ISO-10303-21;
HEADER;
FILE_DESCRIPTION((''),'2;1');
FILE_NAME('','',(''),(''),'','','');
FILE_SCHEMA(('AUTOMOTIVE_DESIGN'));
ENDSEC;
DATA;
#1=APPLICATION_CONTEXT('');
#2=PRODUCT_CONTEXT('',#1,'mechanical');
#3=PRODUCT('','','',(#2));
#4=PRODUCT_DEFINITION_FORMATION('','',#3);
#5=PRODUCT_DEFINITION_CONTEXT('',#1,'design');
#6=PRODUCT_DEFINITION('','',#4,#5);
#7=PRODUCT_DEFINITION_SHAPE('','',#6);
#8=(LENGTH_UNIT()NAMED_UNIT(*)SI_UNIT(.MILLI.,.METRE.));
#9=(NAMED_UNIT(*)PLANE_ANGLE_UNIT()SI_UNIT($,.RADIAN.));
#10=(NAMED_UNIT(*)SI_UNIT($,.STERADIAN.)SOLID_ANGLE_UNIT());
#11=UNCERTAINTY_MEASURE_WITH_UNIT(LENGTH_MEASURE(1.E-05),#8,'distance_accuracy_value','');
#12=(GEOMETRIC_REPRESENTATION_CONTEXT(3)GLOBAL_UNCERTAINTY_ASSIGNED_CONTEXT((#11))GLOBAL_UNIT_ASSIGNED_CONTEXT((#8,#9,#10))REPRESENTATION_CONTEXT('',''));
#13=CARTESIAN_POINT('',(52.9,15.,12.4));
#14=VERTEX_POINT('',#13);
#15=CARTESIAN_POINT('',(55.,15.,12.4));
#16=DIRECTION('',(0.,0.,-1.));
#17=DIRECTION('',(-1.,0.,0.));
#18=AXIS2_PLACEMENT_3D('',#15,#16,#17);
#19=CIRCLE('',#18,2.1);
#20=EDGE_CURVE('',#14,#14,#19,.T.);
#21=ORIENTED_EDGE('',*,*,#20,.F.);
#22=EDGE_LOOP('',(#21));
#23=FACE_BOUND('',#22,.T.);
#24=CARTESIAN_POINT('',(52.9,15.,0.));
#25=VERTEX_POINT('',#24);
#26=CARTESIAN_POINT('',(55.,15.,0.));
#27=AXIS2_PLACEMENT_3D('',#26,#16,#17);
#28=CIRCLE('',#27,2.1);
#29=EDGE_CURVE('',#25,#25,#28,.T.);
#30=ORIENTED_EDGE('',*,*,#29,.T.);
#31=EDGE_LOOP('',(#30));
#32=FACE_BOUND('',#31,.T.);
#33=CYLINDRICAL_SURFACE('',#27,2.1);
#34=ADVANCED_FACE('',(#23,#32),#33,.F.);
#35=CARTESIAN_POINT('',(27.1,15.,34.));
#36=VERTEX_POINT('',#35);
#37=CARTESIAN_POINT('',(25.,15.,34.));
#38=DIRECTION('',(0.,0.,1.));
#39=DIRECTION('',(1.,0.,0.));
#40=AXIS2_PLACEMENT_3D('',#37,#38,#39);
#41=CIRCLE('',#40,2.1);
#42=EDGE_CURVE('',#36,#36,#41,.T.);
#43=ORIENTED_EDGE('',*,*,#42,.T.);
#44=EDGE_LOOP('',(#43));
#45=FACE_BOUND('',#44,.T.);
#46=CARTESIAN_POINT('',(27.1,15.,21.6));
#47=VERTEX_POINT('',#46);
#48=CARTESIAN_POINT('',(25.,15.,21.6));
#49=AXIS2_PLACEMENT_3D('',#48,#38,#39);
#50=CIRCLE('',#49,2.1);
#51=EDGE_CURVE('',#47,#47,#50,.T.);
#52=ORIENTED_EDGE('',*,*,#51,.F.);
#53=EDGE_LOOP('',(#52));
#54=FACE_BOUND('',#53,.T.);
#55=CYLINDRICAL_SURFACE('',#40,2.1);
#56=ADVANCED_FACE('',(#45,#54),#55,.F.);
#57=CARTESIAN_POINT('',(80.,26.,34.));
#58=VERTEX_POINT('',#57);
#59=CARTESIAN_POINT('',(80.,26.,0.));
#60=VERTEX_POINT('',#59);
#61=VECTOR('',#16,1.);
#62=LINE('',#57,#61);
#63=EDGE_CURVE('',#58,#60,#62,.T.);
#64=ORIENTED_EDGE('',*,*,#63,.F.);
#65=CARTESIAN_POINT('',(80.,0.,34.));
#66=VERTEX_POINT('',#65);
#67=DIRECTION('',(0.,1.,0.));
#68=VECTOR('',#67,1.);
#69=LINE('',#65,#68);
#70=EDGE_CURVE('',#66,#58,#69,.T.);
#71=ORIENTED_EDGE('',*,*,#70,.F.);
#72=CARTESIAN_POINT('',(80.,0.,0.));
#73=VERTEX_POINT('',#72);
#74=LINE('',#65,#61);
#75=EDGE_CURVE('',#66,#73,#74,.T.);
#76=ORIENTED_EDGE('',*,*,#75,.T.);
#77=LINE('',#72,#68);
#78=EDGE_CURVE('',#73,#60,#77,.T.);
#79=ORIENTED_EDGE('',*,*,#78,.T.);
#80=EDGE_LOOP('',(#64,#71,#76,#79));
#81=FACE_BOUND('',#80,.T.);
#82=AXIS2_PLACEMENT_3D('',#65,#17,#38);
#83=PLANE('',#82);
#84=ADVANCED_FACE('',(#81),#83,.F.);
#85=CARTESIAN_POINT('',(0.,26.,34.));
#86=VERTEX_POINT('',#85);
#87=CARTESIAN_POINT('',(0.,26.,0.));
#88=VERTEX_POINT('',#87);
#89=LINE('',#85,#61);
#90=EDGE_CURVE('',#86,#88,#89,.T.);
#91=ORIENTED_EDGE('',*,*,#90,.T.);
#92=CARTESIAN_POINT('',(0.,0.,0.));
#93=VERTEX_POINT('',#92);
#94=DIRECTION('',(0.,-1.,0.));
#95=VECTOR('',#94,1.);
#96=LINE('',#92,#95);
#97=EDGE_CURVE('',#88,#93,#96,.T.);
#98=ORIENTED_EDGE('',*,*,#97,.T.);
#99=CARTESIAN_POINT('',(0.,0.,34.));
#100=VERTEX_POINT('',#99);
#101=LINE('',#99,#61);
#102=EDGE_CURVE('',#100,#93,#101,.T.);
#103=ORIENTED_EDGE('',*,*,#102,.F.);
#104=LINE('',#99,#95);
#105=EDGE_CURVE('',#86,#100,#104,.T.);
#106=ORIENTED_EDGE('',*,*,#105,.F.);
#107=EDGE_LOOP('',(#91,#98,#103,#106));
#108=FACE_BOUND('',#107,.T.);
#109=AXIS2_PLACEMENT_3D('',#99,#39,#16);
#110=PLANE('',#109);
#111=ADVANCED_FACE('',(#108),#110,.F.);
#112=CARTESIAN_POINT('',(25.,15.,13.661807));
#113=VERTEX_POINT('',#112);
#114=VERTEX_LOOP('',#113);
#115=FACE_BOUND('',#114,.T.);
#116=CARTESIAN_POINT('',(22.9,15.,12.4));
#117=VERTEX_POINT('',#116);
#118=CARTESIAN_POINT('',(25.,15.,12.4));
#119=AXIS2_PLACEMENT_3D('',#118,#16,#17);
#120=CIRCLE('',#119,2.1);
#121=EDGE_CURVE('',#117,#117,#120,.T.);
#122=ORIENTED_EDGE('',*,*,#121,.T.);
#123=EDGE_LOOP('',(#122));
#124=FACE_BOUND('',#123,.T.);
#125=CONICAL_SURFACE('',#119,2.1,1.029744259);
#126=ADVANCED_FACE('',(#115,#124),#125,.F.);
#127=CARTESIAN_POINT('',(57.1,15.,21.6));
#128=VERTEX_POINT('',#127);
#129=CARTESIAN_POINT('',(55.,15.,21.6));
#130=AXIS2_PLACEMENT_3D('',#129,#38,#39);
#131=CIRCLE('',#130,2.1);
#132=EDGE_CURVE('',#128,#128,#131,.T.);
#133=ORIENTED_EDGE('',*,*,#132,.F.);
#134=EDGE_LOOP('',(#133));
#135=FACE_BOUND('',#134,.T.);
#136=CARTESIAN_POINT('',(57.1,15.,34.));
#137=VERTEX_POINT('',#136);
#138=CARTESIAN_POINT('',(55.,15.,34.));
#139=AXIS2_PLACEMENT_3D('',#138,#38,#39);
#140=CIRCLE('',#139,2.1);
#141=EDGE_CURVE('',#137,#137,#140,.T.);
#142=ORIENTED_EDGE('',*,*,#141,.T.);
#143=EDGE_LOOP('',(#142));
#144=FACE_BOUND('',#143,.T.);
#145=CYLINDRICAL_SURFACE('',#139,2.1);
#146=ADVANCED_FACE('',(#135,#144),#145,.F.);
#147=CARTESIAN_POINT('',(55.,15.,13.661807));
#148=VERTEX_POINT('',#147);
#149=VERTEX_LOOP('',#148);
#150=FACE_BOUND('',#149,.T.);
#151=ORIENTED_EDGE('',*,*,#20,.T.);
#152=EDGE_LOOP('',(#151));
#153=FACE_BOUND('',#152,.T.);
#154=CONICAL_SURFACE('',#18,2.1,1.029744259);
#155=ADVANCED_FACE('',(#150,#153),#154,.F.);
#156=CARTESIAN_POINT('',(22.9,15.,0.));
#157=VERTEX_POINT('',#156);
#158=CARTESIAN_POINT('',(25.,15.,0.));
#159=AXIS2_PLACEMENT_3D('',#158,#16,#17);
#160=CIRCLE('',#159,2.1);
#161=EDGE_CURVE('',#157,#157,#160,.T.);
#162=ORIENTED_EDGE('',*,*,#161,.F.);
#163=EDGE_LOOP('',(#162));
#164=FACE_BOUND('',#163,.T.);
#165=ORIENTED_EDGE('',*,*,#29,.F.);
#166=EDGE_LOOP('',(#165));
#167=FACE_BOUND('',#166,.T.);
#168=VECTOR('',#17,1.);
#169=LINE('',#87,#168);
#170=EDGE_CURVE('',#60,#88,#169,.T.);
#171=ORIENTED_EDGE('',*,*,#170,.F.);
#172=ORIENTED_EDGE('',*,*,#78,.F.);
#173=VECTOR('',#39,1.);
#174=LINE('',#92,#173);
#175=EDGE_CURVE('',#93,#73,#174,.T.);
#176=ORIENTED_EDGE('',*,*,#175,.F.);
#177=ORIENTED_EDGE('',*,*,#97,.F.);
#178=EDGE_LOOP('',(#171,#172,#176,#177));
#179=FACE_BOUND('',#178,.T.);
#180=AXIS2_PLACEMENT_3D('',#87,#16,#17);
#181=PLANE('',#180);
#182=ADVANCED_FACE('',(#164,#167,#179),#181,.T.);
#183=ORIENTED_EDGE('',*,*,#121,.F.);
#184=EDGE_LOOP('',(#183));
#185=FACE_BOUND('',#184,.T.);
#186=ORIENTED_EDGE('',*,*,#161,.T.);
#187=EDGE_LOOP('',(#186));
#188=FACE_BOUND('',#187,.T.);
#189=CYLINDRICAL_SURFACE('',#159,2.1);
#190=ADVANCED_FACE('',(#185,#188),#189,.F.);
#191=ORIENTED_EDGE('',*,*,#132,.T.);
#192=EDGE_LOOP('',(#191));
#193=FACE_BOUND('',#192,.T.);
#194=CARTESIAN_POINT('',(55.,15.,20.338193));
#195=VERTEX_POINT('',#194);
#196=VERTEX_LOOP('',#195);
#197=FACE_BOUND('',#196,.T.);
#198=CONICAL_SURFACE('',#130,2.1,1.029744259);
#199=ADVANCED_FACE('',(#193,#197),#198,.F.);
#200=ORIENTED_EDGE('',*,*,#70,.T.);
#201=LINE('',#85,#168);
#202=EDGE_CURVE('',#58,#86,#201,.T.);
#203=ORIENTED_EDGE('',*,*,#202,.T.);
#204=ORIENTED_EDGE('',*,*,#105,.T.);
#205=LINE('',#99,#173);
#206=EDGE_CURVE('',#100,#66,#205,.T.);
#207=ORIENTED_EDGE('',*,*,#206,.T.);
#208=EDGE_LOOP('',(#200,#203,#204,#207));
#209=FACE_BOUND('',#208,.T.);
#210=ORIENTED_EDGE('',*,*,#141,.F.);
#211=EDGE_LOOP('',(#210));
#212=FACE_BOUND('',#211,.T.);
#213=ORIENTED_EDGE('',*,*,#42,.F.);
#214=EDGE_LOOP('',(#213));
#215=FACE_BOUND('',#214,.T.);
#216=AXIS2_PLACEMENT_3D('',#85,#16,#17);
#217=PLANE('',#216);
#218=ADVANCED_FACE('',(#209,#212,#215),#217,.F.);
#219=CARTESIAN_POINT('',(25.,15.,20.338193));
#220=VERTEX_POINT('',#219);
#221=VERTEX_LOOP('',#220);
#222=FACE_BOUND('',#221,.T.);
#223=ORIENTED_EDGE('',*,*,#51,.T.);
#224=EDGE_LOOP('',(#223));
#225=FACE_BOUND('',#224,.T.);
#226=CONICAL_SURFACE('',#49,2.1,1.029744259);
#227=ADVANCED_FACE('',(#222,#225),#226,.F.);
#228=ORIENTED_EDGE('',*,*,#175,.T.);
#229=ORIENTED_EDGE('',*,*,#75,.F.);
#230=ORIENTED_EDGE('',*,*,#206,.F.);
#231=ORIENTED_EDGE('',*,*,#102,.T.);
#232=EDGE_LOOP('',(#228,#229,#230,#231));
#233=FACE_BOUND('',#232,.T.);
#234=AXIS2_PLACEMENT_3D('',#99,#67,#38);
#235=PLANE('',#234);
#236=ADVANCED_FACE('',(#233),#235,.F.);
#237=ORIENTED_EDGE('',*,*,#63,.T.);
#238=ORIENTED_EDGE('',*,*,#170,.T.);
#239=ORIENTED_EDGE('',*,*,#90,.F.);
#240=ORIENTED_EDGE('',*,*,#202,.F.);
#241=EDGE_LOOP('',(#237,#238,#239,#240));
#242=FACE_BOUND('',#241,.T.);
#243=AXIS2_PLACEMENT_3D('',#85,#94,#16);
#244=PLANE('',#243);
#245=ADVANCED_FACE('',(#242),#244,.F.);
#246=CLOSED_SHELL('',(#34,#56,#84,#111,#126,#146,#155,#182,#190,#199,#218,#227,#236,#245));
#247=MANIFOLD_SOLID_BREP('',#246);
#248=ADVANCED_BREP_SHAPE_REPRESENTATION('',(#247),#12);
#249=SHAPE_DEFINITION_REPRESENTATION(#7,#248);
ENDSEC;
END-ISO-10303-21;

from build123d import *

# Parameters (mm, degrees)
SKETCH_1_W             = 80
SKETCH_1_H             = 26
EXTRUDE_1_DEPTH        = 34
HOLE_WIZARD_M5_1_D     = 4.2
HOLE_WIZARD_M5_1_DEPTH = 12.4
HOLE_WIZARD_M5_1_TIP   = 1.2618073
HOLE_WIZARD_M5_2_D     = 4.2
HOLE_WIZARD_M5_2_DEPTH = 12.4
HOLE_WIZARD_M5_2_TIP   = 1.2618073


with BuildPart() as part:
    # 草图1 → 凸台-拉伸1 (new body)
    with BuildSketch(Plane.XY):
        with Locations((40, 13)):
            Rectangle(SKETCH_1_W, SKETCH_1_H)
    extrude(amount=EXTRUDE_1_DEPTH)

    # M5 螺纹孔1
    with Locations(Plane(origin=(0, 0, 0), x_dir=(-1, 0, 0), z_dir=(0, 0, -1))):
        with Locations((-55, 15), (-25, 15)):
            Hole(HOLE_WIZARD_M5_1_D / 2, depth=HOLE_WIZARD_M5_1_DEPTH)
            with Locations((0, 0, -(HOLE_WIZARD_M5_1_DEPTH + HOLE_WIZARD_M5_1_TIP / 2))):  # 118° drill point
                Cone(0, HOLE_WIZARD_M5_1_D / 2, HOLE_WIZARD_M5_1_TIP, mode=Mode.SUBTRACT)

    # M5 螺纹孔2
    with Locations(Plane.XY.offset(34)):
        with Locations((25, 15), (55, 15)):
            Hole(HOLE_WIZARD_M5_2_D / 2, depth=HOLE_WIZARD_M5_2_DEPTH)
            with Locations((0, 0, -(HOLE_WIZARD_M5_2_DEPTH + HOLE_WIZARD_M5_2_TIP / 2))):  # 118° drill point
                Cone(0, HOLE_WIZARD_M5_2_D / 2, HOLE_WIZARD_M5_2_TIP, mode=Mode.SUBTRACT)


solid = part.part
